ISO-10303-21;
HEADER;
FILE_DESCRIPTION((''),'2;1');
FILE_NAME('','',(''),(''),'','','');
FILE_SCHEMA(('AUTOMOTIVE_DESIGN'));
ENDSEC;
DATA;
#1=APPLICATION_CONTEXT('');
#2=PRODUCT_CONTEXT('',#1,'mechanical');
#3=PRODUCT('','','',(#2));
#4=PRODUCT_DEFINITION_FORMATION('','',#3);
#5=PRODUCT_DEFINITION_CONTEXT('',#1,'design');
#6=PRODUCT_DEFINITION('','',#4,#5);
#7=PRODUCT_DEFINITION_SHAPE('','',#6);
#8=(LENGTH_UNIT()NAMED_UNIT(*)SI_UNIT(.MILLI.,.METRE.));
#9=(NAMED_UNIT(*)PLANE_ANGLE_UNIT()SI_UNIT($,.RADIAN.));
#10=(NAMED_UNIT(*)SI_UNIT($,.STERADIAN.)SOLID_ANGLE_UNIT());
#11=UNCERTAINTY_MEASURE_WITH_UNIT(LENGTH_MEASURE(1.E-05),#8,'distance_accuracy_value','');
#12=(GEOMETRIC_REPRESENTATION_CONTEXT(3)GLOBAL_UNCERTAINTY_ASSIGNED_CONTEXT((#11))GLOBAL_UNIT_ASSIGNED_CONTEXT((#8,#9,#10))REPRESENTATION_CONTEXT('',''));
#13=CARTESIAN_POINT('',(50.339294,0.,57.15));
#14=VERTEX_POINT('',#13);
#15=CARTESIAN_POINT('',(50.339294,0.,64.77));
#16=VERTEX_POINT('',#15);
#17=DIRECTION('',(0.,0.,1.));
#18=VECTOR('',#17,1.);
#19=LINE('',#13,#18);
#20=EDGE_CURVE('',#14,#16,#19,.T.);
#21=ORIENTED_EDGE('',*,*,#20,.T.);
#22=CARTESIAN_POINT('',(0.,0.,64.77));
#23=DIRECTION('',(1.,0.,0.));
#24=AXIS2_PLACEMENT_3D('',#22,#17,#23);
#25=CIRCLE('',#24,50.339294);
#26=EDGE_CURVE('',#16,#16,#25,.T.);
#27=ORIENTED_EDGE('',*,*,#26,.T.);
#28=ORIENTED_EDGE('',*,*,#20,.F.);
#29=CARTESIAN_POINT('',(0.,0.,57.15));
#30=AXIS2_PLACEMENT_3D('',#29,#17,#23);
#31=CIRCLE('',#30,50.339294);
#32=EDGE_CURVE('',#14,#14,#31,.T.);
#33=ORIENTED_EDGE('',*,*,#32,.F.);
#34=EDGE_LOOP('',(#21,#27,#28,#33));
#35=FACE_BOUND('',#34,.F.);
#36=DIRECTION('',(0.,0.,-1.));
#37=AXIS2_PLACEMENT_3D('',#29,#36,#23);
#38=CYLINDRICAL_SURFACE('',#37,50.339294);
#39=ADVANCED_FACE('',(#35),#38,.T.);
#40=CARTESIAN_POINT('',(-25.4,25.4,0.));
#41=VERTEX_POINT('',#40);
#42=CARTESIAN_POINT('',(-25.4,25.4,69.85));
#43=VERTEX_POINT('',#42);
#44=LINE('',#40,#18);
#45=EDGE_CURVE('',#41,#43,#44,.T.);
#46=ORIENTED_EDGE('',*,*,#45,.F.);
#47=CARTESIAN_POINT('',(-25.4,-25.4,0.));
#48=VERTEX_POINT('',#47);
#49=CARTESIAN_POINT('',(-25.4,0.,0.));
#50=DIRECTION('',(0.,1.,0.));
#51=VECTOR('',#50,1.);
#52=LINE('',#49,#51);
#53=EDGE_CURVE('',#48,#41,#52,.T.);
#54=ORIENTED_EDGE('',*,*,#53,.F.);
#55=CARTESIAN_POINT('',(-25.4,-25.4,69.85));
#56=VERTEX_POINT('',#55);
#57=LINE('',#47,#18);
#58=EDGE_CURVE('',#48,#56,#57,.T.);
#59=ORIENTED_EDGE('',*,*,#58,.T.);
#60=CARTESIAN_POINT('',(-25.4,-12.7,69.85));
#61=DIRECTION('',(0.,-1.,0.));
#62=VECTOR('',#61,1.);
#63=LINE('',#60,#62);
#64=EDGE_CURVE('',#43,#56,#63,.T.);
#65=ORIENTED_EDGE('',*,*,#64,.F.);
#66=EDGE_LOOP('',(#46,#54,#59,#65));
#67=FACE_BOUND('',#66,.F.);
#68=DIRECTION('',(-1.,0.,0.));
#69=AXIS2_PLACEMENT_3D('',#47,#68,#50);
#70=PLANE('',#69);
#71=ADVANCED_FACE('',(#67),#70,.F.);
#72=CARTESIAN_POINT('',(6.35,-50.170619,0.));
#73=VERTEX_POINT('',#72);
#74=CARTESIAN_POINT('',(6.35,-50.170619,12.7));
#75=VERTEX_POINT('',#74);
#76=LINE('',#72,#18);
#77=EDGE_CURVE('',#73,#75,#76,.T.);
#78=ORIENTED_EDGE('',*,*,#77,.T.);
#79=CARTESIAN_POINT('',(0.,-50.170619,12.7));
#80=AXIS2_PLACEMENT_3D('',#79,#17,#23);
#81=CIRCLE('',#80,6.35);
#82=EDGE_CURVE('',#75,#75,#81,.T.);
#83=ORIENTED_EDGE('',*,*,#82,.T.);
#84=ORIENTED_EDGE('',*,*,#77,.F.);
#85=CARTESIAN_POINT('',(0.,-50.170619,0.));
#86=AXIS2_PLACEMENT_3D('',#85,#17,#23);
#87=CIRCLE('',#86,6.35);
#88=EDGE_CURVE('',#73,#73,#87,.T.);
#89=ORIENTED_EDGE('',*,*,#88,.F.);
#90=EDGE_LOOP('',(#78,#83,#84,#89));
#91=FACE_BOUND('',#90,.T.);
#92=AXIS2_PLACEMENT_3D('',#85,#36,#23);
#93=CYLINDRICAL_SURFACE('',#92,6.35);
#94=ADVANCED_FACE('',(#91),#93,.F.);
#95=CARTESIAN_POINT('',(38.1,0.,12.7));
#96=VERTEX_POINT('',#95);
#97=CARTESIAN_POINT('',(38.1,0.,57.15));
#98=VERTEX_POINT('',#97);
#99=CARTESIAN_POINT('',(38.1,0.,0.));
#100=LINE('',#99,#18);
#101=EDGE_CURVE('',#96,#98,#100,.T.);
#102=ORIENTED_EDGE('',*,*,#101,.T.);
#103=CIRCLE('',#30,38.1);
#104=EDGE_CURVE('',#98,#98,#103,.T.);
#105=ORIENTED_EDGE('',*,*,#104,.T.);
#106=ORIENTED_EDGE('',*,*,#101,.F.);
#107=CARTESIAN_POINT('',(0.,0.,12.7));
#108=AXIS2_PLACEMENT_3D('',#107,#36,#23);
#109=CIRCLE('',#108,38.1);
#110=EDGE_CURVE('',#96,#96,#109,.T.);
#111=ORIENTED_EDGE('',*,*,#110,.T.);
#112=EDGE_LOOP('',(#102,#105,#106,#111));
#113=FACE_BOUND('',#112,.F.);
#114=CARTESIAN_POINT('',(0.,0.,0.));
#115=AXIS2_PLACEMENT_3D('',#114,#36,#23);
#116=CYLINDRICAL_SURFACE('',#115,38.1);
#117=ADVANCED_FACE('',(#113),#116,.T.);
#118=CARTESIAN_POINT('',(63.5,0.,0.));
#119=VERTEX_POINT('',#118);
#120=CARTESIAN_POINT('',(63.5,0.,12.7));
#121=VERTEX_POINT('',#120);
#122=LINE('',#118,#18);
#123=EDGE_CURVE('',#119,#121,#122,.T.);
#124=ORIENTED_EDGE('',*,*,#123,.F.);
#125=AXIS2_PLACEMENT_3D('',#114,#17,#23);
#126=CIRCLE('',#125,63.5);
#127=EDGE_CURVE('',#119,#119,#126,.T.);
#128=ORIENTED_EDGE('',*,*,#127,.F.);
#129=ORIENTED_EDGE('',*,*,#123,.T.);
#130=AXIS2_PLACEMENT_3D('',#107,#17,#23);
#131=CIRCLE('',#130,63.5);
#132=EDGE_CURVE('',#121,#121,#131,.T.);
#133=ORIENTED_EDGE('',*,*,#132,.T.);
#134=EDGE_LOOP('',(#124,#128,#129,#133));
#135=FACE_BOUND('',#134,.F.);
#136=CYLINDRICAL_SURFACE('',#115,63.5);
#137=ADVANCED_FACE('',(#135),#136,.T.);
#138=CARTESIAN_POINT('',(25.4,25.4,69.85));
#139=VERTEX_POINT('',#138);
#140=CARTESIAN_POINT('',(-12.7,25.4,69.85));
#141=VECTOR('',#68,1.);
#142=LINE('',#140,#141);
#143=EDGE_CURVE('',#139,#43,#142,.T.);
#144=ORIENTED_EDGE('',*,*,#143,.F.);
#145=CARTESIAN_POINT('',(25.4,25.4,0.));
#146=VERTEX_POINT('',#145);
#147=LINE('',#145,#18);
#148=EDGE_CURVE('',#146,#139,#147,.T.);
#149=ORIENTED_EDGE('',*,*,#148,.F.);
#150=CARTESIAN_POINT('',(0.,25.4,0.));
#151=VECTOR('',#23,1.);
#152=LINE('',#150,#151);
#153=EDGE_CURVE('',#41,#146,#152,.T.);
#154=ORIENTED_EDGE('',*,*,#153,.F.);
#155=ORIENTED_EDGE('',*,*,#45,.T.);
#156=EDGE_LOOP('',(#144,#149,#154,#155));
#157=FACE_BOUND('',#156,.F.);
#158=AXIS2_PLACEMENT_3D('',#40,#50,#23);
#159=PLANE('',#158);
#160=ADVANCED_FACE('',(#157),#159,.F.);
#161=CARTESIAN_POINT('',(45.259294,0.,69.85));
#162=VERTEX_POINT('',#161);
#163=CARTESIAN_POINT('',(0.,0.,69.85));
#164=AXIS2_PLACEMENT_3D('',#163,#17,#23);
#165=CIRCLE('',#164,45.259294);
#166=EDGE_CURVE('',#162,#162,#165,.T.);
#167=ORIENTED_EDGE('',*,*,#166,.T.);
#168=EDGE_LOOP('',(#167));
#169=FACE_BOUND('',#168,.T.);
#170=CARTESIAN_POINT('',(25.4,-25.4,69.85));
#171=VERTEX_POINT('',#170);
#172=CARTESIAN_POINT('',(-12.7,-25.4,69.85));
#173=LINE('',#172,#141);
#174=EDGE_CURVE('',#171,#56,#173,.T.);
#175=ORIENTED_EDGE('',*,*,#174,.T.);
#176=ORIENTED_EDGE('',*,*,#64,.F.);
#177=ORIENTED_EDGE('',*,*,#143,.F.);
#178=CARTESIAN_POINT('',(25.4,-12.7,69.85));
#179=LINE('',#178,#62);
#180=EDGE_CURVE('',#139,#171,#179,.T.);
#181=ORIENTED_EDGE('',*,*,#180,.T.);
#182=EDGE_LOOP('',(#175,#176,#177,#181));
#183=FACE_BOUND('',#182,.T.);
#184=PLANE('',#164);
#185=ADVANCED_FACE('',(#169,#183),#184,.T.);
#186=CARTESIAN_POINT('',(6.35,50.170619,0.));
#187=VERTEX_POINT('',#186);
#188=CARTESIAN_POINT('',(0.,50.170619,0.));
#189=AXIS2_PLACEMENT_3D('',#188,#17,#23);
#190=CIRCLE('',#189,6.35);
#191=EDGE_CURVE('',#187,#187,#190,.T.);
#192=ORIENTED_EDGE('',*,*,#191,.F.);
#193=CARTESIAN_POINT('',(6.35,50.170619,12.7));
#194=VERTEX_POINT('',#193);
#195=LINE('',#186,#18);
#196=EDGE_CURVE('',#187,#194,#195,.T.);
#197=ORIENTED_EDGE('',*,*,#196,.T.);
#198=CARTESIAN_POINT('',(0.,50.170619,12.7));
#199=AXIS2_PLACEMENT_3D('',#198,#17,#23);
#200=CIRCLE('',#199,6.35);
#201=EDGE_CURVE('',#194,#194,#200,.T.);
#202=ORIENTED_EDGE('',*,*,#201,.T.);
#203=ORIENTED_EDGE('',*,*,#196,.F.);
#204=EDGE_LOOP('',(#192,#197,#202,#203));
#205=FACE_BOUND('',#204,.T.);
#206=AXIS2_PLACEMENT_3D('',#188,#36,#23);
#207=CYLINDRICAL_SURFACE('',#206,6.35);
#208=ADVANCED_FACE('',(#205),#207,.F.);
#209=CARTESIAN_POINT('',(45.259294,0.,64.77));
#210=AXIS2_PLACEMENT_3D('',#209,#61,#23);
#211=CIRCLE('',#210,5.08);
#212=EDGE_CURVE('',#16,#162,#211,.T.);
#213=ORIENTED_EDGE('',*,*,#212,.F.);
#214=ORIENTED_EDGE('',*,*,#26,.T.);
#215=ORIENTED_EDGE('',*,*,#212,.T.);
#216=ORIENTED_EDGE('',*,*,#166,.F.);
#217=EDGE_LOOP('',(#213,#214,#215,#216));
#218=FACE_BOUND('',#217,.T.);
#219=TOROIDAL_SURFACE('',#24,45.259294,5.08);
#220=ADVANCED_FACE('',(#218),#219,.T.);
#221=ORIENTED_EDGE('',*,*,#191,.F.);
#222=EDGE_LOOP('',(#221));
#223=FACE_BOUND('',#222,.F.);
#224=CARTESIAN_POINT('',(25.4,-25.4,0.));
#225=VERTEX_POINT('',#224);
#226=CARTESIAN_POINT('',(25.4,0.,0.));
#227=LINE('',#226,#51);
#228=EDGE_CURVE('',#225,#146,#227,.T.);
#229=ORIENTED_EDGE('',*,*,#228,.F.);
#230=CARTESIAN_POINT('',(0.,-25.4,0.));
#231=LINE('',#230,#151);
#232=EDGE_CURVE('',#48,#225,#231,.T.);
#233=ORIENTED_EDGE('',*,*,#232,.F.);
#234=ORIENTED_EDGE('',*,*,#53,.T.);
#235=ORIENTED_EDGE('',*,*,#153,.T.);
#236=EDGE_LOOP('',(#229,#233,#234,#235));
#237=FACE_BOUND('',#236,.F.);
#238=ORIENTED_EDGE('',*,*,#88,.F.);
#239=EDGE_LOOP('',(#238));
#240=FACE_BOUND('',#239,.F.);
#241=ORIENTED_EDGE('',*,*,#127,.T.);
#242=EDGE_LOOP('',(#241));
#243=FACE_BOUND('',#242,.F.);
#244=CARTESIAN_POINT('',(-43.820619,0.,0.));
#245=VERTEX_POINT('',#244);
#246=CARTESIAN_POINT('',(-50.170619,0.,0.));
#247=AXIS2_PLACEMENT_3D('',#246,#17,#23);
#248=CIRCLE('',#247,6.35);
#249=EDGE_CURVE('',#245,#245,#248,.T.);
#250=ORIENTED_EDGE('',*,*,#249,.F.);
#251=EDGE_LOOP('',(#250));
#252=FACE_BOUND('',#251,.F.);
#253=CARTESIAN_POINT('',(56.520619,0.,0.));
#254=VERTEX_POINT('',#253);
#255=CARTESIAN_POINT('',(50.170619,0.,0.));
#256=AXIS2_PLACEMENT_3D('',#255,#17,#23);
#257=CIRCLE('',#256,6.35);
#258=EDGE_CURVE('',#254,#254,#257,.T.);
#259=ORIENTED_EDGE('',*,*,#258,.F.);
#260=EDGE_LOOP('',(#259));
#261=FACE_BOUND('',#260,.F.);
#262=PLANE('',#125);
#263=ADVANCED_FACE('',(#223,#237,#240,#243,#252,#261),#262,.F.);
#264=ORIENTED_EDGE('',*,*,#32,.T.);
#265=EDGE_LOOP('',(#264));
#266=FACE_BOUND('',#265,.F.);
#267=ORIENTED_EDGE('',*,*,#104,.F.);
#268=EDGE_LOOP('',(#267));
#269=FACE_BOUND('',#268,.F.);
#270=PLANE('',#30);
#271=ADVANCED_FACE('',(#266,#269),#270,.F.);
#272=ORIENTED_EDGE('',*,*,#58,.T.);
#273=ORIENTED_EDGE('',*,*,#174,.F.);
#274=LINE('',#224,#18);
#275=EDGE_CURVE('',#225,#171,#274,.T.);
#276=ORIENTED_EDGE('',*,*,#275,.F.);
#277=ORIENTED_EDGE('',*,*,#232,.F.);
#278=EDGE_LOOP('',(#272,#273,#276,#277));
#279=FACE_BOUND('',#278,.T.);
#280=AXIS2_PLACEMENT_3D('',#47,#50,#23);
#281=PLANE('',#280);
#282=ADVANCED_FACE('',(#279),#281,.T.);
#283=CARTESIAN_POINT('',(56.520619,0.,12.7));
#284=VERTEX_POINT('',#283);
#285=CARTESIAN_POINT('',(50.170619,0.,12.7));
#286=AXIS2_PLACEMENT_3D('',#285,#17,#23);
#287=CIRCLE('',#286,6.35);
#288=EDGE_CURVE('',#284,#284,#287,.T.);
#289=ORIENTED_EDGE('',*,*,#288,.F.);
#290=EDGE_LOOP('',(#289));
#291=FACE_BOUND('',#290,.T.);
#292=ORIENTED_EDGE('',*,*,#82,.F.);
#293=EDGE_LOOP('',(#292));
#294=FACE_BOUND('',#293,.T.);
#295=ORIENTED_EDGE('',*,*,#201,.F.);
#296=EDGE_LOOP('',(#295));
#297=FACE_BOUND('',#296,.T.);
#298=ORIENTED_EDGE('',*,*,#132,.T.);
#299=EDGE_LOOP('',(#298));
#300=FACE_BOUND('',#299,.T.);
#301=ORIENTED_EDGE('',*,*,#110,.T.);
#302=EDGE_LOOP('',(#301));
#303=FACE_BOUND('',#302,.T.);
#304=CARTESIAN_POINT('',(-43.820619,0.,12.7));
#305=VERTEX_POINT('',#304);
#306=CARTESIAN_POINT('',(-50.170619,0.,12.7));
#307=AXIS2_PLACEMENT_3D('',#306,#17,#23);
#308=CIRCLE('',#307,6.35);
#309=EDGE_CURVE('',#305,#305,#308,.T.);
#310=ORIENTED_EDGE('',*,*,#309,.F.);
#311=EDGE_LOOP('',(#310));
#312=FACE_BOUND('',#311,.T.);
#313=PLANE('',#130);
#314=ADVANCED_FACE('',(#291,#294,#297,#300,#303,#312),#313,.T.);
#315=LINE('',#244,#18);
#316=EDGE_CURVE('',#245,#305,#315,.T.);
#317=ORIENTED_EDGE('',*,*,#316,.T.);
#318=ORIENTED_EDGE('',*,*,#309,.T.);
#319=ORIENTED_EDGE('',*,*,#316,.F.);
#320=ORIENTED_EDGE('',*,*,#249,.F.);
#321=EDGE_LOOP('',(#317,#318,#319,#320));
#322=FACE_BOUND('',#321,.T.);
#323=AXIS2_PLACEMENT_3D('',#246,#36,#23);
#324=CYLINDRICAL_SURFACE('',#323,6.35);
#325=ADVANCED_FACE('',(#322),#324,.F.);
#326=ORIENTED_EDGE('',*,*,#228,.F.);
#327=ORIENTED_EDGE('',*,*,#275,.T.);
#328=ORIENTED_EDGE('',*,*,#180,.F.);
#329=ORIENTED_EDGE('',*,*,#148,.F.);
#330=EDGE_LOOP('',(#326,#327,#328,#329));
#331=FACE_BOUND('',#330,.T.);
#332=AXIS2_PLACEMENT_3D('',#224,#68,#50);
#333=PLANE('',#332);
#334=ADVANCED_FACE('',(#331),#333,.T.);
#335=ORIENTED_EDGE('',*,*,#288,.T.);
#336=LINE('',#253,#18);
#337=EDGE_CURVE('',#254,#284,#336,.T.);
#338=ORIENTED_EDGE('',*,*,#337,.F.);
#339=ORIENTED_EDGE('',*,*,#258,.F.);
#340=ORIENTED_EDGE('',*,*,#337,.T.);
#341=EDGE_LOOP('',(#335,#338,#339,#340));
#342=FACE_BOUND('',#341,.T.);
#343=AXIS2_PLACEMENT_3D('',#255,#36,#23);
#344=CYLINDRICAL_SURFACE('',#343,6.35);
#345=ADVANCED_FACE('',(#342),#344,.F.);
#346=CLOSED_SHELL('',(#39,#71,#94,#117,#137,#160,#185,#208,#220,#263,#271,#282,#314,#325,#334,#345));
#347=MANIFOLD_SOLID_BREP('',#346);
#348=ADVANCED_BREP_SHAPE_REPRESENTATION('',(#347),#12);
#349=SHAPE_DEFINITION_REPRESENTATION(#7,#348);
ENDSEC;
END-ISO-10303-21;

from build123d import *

# Parameters (mm, degrees)
F0_R      = 63.5
F1_DEPTH  = 12.7
F2_R      = 38.1
F3_DEPTH  = 57.15
F4_R      = 50.339294
F5_DEPTH  = 12.7
F6_R      = 5.08
F7_R      = 6.35
F8_DEPTH  = 12.7
F9_W      = 50.8
F9_H      = 50.8
F10_DEPTH = 127


with BuildPart() as f1:
    # F0 (on Top) → F1 (new body)
    with BuildSketch(Plane.XY):
        Circle(F0_R)
    extrude(amount=F1_DEPTH)

    # F2 (on Top) → F3 (join)
    with BuildSketch(Plane.XY):
        Circle(F2_R)
    extrude(amount=F3_DEPTH)

    # F4 (on face) → F5 (join)
    with BuildSketch(Plane.XY.offset(57.15)):
        Circle(F4_R)
    extrude(amount=F5_DEPTH)

    # F6
    f6_edges = [f1.edges().sort_by_distance(p)[0] for p in [
        (-50.339294, 0, 69.85),
    ]]
    fillet(f6_edges, radius=F6_R)

    # F7 (on Top) → F8 (cut)
    with BuildSketch(Plane.XY):
        with Locations((0, 50.170619)):
            Circle(F7_R)
        with Locations((-50.170619, 0)):
            Circle(F7_R)
        with Locations((0, -50.170619)):
            Circle(F7_R)
        with Locations((50.170619, 0)):
            Circle(F7_R)
    extrude(amount=F8_DEPTH, mode=Mode.SUBTRACT)

    # F9 (on Top) → F10 (cut)
    with BuildSketch(Plane.XY):
        Rectangle(F9_W, F9_H)
    extrude(amount=F10_DEPTH, mode=Mode.SUBTRACT)


solid = f1.part
